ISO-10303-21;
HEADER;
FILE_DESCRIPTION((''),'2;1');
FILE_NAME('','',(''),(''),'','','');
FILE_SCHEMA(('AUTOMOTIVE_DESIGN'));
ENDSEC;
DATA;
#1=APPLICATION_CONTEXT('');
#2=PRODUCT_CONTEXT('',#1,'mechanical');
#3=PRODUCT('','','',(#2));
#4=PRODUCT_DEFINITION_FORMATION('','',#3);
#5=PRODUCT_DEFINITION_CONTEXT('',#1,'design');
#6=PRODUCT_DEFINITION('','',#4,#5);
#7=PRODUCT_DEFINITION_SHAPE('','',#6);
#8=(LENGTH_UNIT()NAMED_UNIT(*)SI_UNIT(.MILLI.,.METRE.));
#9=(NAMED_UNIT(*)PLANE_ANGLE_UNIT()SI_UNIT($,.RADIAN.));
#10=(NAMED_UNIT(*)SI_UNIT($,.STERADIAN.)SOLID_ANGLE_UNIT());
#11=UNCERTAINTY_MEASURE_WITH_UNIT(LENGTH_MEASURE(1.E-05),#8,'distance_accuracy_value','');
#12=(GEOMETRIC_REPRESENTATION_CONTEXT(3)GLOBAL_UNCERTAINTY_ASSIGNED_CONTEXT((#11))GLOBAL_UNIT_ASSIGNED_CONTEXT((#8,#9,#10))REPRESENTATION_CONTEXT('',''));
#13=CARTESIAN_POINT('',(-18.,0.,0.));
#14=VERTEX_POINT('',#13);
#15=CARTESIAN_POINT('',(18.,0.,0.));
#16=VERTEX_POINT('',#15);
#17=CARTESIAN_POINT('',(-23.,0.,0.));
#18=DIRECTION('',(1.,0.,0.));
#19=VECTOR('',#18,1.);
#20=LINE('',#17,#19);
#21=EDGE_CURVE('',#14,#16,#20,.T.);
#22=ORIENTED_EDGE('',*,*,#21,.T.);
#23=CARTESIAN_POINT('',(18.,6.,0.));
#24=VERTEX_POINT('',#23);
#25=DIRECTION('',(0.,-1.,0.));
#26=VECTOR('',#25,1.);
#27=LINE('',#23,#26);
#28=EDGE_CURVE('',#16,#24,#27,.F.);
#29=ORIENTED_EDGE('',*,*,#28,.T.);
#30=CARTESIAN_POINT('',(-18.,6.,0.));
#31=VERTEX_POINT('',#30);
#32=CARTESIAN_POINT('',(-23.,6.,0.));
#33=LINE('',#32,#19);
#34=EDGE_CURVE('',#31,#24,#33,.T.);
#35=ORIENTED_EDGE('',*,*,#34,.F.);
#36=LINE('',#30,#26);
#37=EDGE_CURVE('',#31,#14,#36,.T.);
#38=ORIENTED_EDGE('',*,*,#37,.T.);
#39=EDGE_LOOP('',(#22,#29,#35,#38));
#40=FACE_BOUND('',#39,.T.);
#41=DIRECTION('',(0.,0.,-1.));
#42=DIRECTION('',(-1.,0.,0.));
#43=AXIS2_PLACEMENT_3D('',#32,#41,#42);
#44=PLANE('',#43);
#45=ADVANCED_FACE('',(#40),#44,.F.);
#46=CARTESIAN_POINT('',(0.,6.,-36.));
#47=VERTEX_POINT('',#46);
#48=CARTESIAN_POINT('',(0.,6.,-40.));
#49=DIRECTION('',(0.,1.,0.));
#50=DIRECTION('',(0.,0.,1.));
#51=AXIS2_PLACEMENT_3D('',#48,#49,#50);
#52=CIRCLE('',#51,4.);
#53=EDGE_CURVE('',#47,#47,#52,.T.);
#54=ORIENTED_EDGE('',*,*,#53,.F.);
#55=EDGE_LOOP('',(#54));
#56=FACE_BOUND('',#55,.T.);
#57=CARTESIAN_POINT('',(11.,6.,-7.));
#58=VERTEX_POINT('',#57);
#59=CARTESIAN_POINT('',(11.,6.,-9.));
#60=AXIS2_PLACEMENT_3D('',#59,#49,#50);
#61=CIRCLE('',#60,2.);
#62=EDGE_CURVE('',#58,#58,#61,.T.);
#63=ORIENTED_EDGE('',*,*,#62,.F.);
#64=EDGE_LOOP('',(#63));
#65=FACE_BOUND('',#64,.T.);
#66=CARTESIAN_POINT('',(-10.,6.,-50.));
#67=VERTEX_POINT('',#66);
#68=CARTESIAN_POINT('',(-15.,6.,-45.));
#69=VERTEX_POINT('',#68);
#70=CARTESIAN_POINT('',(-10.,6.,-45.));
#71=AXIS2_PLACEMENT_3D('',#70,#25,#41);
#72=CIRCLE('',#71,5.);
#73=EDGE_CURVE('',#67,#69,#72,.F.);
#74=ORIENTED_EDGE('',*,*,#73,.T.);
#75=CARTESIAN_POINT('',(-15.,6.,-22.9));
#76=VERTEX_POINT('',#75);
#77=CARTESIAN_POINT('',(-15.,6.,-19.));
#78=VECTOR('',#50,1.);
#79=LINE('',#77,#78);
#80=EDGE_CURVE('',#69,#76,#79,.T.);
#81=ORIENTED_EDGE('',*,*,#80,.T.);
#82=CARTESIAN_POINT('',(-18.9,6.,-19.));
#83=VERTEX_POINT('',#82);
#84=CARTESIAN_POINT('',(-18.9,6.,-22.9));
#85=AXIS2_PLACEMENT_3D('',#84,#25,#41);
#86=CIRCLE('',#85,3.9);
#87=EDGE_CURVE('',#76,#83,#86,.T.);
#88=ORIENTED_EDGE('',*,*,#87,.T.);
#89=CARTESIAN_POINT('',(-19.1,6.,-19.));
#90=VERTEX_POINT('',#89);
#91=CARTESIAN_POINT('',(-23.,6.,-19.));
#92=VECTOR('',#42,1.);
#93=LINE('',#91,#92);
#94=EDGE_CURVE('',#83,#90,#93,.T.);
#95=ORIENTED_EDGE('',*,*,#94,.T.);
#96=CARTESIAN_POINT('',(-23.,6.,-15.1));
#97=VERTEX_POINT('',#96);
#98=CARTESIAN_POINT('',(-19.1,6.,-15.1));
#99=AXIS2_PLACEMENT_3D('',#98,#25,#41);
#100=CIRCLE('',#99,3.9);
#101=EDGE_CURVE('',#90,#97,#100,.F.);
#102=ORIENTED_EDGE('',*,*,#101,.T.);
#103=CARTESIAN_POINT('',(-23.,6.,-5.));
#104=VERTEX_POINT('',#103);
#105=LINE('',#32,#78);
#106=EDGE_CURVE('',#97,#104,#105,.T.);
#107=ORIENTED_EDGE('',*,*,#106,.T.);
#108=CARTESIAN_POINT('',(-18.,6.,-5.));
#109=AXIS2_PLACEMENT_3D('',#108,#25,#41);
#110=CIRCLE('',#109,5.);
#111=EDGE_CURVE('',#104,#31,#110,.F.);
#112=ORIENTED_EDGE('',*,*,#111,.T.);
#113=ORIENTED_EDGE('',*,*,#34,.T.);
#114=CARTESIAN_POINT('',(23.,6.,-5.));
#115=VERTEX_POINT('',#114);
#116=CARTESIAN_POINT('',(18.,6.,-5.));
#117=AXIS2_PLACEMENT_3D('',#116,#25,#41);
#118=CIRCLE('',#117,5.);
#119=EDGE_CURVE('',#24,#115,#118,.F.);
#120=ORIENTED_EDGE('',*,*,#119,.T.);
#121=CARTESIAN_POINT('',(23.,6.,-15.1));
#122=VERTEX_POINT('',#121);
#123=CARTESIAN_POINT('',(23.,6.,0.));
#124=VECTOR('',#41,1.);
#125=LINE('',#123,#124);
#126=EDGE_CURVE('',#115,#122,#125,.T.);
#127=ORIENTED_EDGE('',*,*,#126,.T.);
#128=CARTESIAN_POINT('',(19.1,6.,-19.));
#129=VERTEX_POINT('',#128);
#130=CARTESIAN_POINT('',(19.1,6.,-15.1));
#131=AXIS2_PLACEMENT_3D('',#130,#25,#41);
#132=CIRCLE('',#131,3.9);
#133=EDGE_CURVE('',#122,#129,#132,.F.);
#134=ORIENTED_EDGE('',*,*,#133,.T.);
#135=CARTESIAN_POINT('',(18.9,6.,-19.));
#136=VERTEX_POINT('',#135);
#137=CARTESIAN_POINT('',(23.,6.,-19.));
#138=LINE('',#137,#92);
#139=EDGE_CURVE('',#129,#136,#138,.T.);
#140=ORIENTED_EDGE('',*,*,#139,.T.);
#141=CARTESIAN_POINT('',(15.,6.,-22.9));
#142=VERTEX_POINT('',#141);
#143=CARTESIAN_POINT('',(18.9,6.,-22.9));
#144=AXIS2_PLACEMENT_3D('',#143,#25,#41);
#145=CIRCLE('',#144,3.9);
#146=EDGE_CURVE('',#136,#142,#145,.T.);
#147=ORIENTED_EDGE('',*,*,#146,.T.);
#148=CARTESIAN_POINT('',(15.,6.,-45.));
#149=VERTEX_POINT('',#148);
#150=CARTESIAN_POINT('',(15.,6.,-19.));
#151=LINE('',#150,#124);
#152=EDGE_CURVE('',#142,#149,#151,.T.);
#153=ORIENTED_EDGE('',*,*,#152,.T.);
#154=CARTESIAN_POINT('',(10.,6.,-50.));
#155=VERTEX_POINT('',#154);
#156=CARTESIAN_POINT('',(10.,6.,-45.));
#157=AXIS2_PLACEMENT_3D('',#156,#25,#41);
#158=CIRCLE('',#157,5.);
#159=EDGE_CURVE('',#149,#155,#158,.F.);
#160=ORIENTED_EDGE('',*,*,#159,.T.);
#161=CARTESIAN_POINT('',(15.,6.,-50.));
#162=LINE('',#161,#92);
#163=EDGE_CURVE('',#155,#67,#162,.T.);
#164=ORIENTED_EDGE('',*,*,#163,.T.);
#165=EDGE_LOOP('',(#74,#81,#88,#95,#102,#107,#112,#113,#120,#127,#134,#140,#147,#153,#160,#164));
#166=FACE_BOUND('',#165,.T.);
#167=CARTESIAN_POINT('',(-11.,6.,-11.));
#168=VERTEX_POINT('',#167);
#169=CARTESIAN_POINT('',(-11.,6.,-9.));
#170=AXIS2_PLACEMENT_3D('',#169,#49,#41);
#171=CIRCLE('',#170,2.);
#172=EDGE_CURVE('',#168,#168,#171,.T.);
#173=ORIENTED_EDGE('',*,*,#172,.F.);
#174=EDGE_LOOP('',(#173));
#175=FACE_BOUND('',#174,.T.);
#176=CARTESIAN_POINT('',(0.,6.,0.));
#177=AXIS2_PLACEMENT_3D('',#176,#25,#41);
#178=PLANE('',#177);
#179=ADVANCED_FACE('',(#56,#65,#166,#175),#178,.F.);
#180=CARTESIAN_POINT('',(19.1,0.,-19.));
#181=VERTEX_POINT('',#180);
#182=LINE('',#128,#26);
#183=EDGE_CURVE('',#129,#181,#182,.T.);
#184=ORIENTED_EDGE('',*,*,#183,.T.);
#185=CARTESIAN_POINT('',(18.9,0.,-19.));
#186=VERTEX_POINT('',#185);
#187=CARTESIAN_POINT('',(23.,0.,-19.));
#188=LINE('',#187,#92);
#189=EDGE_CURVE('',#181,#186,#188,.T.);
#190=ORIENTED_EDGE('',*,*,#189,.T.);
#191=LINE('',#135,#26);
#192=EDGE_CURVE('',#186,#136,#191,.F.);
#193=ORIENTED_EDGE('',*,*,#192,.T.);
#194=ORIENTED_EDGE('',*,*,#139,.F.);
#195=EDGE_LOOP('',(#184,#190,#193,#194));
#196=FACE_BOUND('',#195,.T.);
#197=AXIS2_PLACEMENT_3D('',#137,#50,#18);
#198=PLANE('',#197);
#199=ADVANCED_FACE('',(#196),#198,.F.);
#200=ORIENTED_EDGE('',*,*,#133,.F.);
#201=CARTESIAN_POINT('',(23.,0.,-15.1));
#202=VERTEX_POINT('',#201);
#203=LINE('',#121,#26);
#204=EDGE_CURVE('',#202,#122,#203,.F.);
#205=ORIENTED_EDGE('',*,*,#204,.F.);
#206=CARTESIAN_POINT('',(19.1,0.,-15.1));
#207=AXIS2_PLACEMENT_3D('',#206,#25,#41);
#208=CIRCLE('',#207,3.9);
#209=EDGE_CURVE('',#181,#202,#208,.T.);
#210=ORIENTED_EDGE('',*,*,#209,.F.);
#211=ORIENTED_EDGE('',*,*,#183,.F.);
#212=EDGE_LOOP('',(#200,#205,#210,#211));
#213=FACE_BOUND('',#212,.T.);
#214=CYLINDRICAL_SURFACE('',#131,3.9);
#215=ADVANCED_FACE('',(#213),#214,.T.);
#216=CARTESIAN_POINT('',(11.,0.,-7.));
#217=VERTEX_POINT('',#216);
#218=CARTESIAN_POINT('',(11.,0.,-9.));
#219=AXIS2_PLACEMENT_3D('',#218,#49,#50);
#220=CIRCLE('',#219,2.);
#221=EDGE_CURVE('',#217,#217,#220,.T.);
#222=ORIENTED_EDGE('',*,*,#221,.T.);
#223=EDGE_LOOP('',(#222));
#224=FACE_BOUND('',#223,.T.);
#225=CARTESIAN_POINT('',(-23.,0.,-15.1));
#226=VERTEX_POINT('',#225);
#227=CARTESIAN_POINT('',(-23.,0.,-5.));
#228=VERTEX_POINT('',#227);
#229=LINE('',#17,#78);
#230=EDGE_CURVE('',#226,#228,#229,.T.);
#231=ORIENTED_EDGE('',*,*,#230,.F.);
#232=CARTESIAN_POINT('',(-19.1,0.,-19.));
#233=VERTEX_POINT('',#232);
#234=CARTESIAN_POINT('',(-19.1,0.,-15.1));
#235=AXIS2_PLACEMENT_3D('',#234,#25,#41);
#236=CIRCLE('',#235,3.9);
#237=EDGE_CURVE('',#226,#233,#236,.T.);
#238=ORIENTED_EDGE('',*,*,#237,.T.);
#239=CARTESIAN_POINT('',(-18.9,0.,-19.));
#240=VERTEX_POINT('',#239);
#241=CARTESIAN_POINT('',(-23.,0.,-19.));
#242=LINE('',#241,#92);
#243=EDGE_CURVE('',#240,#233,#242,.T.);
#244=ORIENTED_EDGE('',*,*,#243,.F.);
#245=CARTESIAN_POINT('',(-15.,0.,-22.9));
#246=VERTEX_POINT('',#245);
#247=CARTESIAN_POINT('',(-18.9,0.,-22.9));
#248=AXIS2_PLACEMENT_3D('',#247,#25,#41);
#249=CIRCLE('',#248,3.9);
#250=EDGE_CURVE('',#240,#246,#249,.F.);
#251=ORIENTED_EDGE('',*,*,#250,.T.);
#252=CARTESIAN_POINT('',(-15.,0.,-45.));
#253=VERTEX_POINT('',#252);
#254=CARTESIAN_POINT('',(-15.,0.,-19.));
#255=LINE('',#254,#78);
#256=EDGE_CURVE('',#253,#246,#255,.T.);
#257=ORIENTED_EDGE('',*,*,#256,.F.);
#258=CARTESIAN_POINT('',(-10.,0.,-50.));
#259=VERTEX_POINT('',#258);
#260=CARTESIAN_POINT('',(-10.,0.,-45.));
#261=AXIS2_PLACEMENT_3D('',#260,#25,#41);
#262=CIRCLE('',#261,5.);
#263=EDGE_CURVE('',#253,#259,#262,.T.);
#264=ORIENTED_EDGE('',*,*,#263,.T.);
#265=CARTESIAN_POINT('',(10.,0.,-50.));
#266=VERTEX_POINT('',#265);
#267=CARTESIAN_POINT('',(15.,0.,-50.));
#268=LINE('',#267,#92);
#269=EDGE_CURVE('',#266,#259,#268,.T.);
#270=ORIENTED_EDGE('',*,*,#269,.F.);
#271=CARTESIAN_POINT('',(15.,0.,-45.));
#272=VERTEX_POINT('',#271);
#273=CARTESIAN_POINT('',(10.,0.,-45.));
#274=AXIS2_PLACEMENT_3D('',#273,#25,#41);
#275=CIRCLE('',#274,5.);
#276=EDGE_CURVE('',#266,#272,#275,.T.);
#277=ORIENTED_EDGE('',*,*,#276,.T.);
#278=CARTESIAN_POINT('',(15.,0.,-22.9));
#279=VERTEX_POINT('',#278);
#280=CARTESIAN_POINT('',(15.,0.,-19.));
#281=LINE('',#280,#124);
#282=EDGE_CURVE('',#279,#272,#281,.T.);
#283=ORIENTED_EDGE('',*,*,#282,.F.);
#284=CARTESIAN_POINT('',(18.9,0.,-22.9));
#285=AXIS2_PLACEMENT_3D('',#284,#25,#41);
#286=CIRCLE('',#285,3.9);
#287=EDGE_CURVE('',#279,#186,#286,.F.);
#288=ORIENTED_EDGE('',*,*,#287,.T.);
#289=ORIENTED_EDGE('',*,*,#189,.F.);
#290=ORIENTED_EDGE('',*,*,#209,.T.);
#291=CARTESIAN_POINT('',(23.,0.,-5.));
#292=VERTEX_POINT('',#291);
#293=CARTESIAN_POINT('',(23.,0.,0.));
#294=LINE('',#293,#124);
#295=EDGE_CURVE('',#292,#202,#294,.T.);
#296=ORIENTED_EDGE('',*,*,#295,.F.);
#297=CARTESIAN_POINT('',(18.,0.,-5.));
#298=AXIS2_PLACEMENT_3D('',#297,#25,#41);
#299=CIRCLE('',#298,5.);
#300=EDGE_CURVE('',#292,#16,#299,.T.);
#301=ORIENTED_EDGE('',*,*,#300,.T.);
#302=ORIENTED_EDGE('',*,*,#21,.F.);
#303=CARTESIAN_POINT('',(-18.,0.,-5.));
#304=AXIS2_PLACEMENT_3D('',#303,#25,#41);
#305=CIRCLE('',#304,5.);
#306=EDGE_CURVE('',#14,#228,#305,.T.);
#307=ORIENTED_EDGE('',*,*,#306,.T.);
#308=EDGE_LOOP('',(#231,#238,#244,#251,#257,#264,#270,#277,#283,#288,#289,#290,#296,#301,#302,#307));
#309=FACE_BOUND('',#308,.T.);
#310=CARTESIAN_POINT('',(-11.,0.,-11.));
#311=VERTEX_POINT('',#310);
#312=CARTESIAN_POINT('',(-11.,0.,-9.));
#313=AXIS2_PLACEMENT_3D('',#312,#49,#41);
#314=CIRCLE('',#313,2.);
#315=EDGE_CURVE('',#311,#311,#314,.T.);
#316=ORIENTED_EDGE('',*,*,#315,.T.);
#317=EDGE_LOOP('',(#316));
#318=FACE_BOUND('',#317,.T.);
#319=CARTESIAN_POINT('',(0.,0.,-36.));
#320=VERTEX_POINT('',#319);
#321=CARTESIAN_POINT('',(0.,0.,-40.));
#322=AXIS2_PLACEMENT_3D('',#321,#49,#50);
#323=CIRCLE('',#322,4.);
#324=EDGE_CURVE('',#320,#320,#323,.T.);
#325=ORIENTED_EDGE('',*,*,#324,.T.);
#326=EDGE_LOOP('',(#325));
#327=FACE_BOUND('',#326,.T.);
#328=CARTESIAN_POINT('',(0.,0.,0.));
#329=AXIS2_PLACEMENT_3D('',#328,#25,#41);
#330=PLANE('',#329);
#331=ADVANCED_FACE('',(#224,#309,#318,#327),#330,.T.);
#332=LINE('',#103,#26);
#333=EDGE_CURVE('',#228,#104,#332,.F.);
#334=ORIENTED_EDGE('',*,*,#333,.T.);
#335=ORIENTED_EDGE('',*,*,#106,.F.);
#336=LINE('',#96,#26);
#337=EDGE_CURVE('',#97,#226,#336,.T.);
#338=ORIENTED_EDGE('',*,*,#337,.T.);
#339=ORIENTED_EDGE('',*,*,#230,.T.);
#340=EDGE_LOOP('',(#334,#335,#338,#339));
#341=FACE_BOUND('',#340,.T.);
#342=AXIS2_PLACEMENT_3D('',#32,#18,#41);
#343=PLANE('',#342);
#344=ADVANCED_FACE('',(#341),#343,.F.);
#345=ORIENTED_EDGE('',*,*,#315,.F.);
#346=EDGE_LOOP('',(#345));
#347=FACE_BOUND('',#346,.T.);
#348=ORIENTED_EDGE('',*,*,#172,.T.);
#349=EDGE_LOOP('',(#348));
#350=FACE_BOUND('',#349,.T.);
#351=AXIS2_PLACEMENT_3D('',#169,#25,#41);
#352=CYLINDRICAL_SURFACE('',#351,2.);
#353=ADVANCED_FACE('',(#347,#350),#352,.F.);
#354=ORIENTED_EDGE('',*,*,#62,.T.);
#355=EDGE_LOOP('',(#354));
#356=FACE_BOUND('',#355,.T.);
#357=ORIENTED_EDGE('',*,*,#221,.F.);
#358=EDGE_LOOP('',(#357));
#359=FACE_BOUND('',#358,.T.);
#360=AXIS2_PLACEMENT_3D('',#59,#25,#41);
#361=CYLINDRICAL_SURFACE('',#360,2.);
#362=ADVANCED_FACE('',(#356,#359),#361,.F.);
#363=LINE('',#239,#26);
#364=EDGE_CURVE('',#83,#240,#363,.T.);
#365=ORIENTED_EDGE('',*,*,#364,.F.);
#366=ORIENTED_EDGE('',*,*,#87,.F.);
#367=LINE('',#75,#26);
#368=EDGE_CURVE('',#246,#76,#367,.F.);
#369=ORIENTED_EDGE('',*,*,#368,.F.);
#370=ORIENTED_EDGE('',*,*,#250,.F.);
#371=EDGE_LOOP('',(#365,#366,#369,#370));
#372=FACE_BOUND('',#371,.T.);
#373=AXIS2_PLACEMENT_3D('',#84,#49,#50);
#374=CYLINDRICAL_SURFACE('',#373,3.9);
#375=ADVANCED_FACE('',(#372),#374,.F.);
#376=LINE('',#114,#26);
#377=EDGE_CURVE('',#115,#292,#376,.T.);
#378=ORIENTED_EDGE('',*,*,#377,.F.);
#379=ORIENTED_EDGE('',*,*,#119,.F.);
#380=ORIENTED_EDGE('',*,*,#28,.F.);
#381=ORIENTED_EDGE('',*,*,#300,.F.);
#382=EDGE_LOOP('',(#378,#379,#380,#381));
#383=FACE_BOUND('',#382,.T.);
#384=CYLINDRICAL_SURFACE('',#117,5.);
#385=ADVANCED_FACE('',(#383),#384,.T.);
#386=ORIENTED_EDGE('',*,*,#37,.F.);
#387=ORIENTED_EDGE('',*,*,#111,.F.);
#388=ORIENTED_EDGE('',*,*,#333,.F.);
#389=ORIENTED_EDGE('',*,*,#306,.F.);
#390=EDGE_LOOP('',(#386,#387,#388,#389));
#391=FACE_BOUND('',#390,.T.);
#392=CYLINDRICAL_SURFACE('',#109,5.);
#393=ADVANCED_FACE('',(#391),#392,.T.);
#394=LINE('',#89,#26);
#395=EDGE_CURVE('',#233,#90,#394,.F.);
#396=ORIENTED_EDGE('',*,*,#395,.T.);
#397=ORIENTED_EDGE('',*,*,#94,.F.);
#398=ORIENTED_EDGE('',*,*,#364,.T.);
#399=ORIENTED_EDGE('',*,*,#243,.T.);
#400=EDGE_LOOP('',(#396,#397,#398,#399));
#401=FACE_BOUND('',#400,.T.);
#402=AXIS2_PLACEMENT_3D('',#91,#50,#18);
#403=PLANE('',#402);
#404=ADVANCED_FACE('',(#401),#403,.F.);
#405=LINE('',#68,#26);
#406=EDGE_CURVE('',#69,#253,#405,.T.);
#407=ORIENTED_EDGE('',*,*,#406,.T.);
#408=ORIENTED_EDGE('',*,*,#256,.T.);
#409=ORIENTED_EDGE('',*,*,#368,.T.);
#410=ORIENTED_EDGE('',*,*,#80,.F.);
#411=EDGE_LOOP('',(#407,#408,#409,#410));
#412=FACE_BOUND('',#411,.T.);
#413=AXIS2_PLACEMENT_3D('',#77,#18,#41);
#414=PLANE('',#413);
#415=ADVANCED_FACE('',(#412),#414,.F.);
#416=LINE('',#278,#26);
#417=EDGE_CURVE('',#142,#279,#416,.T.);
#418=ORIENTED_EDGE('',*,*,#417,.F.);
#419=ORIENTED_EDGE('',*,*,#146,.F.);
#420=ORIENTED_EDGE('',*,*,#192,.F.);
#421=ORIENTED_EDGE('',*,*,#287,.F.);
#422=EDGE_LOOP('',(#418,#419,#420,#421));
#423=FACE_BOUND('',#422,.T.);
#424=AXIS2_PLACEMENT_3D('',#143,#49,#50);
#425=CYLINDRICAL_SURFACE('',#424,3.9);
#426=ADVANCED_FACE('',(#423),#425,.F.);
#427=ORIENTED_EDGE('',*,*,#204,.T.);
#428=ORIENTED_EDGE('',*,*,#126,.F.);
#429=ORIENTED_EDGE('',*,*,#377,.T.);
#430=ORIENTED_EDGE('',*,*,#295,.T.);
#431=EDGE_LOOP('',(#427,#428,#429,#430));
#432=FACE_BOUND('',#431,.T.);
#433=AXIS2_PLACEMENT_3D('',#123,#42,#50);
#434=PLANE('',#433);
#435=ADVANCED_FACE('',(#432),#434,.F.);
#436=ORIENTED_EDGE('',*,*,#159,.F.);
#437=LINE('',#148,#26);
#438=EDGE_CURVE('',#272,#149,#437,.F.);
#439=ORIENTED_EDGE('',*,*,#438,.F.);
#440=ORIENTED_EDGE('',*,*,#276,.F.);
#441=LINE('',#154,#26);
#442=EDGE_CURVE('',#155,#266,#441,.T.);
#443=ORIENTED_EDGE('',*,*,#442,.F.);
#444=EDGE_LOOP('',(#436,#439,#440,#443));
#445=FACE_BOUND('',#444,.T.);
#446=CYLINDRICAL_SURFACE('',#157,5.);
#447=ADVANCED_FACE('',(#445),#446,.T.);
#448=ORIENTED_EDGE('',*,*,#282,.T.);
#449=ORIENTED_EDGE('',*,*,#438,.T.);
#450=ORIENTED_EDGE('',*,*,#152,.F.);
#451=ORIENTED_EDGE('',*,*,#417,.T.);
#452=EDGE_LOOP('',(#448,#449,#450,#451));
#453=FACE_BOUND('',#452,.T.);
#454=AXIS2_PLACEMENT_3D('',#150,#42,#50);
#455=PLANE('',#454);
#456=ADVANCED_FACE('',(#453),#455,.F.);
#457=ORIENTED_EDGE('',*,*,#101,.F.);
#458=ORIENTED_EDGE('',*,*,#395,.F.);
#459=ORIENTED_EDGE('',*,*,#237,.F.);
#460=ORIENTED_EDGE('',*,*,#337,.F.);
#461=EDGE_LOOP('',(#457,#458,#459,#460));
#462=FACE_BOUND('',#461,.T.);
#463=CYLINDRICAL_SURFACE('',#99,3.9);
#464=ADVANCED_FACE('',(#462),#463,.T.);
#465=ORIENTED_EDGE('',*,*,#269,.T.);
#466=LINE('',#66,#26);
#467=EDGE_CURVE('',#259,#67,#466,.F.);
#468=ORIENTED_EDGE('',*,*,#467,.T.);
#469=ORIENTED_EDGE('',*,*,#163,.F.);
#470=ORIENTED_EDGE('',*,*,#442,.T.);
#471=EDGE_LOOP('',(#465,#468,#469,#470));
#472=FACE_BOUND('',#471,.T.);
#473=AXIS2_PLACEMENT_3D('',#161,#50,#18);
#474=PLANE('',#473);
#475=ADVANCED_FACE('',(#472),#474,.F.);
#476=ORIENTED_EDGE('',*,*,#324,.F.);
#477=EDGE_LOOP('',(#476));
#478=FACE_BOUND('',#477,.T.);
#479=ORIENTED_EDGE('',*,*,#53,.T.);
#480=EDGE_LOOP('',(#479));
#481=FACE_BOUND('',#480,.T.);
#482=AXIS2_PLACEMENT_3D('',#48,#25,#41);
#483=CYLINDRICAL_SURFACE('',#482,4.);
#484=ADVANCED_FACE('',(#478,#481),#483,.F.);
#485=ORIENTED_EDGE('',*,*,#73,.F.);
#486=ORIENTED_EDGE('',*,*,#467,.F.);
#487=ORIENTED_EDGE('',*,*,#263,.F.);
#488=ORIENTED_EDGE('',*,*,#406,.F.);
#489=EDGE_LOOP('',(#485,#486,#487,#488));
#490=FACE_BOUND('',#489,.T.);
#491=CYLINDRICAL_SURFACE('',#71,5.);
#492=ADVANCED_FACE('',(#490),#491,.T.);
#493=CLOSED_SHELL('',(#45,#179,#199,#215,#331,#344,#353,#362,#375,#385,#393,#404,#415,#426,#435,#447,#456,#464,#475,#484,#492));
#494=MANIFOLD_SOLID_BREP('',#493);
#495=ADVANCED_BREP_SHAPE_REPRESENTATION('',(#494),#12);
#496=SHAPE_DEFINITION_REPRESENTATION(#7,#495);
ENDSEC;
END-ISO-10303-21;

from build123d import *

# Parameters (mm, degrees)
SKETCH1_R           = 4
SKETCH1_R_2         = 2
BOSS_EXTRUDE1_DEPTH = 6
FILLET2_R           = 5
FILLET3_R           = 3.9


with BuildPart() as part:
    # Sketch1 → Boss-Extrude1 (new body)
    with BuildSketch(Plane(origin=(0, 0, 0), x_dir=(1, 0, 0), z_dir=(0, 1, 0))):
        Polygon((-23, 0), (23, 0), (23, 19), (15, 19), (15, 50), (-15, 50), (-15, 19), (-23, 19), align=None)
        with Locations(Location((0, 40, 0), (0, 0, 270))):
            Circle(SKETCH1_R, mode=Mode.SUBTRACT)
        with Locations(Location((11, 9, 0), (0, 0, 270))):
            Circle(SKETCH1_R_2, mode=Mode.SUBTRACT)
        with Locations(Location((-11, 9, 0), (0, 0, 90))):
            Circle(SKETCH1_R_2, mode=Mode.SUBTRACT)
    extrude(amount=BOSS_EXTRUDE1_DEPTH)

    # Fillet2
    fillet2_edges = [part.edges().sort_by_distance(p)[0] for p in [
        (15, 3, -50),
        (23, 3, 0),
        (-23, 3, 0),
        (-15, 3, -50),
    ]]
    fillet(fillet2_edges, radius=FILLET2_R)

    # Fillet3
    fillet3_edges = [part.edges().sort_by_distance(p)[0] for p in [
        (15, 3, -19),
        (23, 3, -19),
        (-23, 3, -19),
        (-15, 3, -19),
    ]]
    fillet(fillet3_edges, radius=FILLET3_R)


solid = part.part
